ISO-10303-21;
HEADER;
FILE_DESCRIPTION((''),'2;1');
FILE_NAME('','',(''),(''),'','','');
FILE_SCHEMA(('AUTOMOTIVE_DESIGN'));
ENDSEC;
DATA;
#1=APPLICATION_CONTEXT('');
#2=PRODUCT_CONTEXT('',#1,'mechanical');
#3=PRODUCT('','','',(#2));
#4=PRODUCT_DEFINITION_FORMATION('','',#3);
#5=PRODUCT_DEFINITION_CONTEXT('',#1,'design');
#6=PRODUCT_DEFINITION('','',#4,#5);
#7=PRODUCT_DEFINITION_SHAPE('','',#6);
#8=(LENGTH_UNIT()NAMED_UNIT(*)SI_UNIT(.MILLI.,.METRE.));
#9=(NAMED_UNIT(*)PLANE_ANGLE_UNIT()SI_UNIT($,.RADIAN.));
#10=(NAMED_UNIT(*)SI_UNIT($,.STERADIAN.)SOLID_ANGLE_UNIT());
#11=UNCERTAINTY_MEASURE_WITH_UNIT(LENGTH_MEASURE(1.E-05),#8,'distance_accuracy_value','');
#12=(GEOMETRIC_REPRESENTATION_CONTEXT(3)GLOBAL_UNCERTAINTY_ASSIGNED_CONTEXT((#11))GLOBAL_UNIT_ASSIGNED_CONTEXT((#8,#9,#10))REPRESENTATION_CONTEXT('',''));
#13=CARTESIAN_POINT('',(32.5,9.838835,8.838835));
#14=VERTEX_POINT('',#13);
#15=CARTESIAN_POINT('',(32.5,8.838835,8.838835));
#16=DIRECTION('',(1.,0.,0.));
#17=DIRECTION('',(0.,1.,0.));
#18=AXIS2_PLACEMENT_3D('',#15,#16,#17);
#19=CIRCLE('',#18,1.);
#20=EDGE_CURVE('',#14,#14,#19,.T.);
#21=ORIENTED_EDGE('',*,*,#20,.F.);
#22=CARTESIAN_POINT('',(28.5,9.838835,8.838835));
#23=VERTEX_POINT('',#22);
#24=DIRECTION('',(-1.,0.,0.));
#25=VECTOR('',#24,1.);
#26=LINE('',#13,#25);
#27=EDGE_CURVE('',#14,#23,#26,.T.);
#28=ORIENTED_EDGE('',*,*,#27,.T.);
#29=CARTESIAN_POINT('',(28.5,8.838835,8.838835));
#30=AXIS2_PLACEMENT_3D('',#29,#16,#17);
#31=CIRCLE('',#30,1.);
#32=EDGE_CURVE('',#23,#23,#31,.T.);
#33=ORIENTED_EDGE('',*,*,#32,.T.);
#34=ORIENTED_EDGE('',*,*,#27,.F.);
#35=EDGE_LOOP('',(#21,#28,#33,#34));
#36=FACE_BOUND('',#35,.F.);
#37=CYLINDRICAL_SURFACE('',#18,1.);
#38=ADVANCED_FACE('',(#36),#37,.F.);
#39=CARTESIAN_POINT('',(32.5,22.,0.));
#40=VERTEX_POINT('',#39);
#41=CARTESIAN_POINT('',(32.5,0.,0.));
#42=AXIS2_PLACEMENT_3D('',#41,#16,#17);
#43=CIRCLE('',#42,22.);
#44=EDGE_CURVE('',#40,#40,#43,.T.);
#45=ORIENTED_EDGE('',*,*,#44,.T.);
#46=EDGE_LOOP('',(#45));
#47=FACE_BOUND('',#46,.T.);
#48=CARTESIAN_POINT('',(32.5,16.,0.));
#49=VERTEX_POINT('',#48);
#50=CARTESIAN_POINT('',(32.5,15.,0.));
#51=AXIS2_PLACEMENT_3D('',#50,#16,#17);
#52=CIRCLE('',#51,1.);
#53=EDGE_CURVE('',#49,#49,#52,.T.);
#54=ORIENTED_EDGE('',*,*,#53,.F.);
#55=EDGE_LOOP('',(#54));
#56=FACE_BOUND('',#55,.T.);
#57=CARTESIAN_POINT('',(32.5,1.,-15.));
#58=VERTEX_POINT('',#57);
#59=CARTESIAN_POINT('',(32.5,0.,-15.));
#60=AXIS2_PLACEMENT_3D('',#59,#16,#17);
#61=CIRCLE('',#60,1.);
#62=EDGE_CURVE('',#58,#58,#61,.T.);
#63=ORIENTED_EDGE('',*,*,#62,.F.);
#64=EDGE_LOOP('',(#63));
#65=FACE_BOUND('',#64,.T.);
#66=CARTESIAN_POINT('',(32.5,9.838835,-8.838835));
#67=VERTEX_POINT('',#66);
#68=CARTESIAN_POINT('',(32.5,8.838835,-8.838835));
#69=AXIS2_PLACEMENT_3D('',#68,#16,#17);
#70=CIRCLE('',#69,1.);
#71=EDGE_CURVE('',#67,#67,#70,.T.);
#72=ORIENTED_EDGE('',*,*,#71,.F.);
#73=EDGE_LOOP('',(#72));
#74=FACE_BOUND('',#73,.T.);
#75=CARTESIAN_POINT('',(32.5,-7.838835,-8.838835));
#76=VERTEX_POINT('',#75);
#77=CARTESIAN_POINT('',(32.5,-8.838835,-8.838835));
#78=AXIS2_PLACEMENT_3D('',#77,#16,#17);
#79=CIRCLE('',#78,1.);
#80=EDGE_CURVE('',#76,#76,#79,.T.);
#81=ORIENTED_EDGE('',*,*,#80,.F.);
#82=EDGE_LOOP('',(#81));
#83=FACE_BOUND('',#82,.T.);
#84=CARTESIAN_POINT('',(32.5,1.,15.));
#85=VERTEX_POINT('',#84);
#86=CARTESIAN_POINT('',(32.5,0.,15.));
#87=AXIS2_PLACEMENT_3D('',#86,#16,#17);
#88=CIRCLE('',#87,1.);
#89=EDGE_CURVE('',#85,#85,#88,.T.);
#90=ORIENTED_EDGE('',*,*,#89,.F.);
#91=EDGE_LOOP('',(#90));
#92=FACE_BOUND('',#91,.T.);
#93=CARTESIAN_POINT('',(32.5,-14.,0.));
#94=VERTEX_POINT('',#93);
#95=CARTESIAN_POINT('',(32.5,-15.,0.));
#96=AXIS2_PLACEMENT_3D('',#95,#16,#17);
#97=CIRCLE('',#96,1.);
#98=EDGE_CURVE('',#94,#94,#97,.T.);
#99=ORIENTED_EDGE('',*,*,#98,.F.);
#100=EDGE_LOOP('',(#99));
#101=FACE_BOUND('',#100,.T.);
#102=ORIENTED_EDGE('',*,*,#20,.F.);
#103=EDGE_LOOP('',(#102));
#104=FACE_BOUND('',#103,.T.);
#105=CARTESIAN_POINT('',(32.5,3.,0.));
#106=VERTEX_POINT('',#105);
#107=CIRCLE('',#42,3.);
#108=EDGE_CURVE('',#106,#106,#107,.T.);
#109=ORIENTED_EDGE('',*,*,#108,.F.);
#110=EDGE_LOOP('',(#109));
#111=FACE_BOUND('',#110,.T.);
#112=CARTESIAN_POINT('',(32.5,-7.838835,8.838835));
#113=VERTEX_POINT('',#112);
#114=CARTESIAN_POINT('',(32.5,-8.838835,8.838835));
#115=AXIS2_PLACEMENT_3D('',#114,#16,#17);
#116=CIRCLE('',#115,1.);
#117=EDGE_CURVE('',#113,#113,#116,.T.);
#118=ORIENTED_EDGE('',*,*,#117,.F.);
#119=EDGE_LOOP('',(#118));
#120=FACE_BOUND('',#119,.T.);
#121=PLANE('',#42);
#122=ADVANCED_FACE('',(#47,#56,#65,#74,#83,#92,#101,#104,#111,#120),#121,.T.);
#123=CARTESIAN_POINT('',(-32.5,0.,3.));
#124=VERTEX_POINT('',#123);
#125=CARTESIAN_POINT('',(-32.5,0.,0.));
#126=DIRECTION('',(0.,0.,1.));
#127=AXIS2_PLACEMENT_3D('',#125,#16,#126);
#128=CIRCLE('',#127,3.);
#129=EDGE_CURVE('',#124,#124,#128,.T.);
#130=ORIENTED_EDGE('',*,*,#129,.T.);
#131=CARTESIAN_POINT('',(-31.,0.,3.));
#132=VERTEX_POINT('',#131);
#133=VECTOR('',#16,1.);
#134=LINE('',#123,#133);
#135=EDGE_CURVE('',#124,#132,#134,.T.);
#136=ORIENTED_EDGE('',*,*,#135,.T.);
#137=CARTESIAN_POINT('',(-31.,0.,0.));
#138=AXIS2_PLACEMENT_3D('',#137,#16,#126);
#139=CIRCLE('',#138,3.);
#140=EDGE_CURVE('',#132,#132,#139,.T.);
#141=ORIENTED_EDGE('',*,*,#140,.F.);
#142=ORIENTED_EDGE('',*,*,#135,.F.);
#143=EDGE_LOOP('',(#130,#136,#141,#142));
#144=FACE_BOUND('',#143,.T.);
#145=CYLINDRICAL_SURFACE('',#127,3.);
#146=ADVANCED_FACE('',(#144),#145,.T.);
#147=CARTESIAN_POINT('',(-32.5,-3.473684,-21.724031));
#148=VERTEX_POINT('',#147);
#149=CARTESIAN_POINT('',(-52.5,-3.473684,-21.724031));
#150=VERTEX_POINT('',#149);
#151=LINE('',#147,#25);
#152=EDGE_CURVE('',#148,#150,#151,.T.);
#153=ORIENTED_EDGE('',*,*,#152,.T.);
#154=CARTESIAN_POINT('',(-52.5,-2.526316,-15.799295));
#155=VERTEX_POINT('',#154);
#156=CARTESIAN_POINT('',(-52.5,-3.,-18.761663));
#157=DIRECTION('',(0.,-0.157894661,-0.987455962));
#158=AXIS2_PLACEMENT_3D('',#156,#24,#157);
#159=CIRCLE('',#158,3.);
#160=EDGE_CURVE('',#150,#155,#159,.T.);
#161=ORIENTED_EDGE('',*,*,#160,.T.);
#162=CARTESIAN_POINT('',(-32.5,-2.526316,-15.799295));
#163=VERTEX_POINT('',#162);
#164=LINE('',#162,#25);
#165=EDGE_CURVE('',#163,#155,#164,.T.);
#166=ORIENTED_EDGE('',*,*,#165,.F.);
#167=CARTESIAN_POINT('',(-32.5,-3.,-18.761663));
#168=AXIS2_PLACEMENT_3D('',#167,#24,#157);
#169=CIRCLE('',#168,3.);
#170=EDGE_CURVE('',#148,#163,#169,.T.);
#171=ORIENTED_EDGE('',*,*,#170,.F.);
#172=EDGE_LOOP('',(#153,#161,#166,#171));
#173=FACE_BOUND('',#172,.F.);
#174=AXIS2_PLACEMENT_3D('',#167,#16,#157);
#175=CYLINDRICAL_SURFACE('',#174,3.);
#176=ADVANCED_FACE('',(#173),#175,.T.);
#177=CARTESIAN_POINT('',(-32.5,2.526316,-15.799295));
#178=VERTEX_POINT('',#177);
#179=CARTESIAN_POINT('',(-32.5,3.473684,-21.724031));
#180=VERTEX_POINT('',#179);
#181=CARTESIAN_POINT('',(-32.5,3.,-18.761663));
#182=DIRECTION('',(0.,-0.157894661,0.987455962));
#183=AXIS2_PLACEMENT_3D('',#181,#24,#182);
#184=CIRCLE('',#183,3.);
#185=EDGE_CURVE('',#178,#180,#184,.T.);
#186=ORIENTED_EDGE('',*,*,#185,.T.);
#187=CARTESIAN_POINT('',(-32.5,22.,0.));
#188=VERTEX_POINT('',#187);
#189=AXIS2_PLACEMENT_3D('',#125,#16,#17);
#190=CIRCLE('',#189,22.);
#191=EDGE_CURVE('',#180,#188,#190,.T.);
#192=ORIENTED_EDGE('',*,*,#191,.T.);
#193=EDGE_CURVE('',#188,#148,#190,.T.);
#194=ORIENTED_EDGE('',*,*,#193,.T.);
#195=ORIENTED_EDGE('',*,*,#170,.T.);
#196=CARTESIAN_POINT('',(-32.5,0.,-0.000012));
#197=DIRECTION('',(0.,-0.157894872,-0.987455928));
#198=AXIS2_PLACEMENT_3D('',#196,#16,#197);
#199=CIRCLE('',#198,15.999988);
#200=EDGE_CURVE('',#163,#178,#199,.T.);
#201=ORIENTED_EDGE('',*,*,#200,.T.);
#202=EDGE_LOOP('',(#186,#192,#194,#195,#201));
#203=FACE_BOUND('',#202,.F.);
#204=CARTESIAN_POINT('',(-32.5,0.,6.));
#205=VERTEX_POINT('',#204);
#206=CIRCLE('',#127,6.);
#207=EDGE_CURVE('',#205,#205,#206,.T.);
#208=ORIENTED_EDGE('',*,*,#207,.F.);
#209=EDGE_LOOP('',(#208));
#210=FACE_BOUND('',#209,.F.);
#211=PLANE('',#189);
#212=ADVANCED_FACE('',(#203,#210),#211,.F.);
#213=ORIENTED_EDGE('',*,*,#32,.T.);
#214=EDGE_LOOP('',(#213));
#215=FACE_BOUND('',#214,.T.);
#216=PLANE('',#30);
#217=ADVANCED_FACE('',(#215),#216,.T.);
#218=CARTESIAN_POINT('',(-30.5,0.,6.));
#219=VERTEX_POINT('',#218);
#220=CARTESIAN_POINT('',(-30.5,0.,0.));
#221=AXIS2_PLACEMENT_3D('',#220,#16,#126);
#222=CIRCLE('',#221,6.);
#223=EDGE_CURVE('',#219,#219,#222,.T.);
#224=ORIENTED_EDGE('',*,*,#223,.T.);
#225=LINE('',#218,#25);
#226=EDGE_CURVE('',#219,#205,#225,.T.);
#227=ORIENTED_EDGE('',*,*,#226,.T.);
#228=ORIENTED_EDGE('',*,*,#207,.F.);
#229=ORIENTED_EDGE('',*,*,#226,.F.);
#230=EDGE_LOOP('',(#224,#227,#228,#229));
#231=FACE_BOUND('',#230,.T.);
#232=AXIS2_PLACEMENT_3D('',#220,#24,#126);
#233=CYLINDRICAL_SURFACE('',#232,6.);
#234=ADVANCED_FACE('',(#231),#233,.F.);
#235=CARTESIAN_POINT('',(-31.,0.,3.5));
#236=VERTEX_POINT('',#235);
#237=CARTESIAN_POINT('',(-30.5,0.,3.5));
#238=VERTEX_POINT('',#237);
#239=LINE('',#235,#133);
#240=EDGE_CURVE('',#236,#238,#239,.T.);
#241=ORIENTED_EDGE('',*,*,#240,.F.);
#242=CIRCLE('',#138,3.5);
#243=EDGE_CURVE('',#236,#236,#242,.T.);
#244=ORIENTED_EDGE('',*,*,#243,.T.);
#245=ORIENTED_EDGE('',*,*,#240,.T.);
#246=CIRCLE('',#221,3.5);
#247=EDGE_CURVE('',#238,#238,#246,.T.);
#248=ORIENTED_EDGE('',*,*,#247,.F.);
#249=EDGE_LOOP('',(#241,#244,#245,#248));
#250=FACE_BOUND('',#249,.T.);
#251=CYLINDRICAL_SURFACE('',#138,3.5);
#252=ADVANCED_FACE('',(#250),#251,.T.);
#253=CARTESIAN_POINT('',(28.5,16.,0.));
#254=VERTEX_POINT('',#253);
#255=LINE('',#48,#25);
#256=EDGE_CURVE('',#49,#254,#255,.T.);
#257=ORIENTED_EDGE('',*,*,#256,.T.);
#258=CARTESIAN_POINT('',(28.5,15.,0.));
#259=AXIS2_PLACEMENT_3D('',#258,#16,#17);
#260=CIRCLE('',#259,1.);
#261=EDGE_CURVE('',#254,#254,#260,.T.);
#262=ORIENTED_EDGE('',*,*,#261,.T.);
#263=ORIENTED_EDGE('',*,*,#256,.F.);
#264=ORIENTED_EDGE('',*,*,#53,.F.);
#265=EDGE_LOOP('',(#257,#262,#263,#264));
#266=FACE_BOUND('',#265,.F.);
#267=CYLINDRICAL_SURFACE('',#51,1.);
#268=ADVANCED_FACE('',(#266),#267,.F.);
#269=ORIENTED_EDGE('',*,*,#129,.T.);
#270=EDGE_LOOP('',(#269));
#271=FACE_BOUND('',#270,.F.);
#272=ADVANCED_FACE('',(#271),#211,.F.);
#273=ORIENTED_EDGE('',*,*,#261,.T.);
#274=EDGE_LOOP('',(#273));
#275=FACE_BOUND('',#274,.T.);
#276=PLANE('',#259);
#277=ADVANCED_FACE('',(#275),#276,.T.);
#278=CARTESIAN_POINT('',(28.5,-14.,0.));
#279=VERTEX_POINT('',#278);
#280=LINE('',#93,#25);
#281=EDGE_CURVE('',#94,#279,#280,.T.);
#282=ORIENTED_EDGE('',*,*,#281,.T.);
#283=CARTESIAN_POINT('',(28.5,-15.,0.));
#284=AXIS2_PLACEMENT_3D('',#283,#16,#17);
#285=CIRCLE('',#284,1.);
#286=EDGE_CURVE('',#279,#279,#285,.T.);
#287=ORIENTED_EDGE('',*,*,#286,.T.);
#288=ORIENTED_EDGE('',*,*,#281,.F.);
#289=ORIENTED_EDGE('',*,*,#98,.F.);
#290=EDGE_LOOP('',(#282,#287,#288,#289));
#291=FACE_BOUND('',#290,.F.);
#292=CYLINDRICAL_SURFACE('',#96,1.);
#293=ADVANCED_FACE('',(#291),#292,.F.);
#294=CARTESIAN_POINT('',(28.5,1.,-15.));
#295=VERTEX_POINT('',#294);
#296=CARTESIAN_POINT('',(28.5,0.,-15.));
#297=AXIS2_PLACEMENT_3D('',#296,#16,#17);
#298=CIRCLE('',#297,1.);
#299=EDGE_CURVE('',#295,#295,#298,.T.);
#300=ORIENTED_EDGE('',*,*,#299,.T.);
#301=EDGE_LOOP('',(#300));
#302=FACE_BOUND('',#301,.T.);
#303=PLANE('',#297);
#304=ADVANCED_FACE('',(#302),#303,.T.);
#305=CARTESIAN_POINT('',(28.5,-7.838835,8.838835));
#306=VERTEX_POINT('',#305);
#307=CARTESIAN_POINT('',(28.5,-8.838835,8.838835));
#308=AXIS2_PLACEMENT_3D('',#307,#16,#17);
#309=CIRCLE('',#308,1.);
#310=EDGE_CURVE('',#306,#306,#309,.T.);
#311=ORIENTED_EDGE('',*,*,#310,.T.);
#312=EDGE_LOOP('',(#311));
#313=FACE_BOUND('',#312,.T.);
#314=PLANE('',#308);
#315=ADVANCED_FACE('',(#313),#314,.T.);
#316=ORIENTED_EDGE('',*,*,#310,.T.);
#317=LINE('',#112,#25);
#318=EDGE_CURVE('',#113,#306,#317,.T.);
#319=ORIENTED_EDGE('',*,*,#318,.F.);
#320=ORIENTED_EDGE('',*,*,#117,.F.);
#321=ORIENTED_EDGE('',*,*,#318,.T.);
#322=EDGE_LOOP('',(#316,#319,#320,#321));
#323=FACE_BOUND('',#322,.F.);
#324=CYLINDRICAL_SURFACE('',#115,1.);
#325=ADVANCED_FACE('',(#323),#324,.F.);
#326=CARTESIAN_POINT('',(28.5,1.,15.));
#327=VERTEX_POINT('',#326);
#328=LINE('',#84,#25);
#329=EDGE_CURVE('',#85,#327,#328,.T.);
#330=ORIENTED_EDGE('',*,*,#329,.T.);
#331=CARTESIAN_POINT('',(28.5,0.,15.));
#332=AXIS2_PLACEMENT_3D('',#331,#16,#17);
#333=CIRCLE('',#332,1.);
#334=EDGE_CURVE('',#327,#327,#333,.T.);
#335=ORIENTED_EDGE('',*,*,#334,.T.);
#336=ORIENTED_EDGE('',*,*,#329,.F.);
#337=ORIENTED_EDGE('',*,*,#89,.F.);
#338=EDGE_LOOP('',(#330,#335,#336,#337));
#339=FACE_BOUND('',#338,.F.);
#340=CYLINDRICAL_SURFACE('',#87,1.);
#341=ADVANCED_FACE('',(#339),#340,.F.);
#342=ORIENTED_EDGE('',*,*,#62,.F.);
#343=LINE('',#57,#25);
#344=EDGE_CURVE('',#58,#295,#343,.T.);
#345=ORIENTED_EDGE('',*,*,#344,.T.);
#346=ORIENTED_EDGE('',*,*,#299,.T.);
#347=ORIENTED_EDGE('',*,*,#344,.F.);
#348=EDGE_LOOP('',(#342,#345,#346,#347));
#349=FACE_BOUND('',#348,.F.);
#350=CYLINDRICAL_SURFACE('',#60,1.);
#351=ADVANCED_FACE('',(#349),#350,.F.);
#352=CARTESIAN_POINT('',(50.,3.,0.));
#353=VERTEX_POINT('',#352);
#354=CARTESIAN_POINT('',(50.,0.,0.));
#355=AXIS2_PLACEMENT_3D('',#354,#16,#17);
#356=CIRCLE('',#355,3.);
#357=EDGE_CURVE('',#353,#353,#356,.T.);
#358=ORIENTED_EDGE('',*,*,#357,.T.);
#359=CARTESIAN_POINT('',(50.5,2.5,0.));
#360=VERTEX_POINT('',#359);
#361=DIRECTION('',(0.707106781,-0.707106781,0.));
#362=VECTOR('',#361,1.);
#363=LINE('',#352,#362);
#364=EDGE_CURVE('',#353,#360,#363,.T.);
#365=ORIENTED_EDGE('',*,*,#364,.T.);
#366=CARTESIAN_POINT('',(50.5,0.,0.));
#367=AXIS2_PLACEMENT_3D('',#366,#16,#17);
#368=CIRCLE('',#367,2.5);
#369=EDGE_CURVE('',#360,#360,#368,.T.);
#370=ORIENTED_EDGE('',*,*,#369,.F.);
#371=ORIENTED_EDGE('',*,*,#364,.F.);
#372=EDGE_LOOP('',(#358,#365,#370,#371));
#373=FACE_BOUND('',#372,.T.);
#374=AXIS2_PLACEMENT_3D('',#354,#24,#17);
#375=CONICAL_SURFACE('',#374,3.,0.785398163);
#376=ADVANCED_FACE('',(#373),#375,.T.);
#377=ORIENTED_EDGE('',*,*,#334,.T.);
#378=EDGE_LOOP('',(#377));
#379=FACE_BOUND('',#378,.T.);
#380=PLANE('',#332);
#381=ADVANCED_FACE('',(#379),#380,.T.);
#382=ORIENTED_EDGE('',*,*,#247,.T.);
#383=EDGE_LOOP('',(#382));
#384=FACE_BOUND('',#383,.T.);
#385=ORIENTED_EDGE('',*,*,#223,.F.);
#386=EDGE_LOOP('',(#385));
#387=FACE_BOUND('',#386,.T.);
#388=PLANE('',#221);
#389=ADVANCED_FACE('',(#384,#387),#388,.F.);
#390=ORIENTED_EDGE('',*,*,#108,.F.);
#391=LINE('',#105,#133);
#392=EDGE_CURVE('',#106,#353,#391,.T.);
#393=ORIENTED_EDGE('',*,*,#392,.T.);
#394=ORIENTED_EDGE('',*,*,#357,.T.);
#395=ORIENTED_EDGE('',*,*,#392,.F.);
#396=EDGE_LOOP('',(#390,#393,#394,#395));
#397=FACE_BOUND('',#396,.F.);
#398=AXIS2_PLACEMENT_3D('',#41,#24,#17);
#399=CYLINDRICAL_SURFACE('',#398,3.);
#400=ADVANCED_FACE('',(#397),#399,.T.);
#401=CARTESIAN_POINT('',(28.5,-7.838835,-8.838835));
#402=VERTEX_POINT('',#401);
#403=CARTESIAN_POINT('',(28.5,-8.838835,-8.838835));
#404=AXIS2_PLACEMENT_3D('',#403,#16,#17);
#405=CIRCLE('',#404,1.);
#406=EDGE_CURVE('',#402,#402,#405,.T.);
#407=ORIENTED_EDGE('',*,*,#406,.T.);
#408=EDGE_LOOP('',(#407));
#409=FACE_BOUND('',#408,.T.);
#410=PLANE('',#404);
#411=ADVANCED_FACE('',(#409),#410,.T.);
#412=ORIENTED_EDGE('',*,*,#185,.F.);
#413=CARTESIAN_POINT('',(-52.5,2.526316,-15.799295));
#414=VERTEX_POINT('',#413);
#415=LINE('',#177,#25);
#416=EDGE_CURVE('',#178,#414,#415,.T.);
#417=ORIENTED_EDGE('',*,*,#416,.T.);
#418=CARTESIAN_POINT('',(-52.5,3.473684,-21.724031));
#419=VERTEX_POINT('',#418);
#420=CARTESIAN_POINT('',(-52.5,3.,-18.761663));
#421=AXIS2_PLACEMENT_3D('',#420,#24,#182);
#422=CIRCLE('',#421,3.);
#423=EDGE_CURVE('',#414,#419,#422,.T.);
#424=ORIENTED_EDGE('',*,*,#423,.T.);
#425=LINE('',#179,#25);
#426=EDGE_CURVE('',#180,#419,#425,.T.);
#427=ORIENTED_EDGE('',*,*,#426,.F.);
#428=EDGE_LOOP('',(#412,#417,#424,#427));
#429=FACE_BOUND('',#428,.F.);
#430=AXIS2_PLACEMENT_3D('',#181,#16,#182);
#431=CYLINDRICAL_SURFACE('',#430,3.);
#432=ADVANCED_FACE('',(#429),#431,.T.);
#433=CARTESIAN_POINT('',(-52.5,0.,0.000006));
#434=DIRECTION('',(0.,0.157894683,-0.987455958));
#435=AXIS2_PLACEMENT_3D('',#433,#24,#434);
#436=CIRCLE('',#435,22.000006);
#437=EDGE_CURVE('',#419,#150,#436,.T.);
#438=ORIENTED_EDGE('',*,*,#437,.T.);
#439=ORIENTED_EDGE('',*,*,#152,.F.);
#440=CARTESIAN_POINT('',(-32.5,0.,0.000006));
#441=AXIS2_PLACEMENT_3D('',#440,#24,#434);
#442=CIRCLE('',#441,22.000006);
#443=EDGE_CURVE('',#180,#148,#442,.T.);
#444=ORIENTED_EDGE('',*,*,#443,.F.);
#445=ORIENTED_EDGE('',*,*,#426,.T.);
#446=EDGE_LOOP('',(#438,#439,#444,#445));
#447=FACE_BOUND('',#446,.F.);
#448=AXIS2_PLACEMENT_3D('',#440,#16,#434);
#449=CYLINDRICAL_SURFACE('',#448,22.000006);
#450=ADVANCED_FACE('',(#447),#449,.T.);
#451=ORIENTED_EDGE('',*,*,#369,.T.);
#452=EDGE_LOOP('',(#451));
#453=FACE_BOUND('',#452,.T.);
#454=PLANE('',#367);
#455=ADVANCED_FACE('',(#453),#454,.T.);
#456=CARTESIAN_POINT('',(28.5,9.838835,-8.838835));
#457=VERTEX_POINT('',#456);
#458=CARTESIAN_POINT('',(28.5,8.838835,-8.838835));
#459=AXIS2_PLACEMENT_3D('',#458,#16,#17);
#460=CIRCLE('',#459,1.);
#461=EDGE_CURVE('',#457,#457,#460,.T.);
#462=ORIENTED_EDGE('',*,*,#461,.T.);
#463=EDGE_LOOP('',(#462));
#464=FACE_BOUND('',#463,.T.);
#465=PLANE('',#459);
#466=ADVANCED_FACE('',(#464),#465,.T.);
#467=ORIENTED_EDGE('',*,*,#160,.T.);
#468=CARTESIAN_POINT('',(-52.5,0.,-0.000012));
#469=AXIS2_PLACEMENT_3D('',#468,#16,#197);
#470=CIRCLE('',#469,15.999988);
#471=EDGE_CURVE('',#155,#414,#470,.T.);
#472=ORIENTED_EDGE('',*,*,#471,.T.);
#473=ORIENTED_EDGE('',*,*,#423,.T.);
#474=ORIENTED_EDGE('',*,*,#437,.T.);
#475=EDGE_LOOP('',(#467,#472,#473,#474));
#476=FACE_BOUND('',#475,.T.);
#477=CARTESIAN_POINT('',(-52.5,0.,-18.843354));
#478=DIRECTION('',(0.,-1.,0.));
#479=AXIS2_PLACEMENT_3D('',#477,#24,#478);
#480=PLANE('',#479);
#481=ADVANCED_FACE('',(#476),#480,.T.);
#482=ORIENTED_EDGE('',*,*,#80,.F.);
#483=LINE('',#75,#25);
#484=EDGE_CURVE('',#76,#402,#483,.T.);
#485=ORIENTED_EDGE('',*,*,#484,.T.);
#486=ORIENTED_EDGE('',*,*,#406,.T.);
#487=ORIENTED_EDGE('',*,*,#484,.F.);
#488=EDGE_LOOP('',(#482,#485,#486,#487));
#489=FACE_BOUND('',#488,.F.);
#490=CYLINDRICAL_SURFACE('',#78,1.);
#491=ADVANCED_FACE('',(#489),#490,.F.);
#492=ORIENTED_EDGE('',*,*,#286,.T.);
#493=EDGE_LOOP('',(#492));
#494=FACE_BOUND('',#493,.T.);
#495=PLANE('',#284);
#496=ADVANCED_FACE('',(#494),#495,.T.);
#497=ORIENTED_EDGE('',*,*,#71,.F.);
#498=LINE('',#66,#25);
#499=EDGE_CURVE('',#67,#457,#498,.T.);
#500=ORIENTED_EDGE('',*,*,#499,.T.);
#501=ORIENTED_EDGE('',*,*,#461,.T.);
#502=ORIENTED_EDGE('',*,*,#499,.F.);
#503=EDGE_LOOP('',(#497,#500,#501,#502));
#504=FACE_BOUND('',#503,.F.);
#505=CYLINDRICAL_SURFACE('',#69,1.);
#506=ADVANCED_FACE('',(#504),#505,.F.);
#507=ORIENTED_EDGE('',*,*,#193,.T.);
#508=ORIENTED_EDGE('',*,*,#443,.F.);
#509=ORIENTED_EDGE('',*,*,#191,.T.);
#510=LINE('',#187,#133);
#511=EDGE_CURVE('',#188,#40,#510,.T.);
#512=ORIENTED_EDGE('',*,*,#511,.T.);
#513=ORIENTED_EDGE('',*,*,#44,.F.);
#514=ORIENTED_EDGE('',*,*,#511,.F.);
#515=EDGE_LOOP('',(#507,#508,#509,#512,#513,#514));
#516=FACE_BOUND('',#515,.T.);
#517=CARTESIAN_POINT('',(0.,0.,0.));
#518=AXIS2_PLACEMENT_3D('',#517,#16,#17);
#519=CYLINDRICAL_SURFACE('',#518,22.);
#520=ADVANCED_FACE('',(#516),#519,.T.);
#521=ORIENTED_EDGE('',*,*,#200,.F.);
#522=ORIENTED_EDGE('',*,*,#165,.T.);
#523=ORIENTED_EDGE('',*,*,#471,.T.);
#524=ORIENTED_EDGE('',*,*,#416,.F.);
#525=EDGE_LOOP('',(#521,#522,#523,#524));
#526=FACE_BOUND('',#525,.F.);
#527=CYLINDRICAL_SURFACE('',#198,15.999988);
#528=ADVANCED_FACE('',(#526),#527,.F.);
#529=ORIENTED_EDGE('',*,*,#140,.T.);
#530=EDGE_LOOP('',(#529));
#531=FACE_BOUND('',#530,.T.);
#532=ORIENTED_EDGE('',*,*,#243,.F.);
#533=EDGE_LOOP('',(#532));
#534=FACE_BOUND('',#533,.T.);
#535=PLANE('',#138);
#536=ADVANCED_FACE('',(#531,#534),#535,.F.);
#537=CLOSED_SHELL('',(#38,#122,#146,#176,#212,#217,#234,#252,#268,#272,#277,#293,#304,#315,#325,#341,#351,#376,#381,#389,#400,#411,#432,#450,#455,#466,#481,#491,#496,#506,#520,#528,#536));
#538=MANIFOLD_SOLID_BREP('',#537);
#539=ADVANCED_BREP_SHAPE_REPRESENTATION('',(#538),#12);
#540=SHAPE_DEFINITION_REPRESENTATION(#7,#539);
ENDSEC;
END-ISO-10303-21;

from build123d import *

# Parameters (mm, degrees)
F0_R     = 22
F1_DEPTH = 32.5
F2_R     = 3
F3_DEPTH = 18
F4_R     = 1
F5_DEPTH = 4
F9_DEPTH = 20
F10_SIZE = 0.5


with BuildPart() as f1:
    # F0 (on Right) → F1 (new body, symmetric)
    with BuildSketch(Plane.YZ):
        Circle(F0_R)
    extrude(amount=F1_DEPTH, both=True)

    # F2 (on face) → F3 (join)
    with BuildSketch(Plane.YZ.offset(32.5)):
        Circle(F2_R)
    extrude(amount=F3_DEPTH)

    # F4 (on face) → F5 (cut)
    with BuildSketch(Plane.YZ.offset(32.5)):
        with Locations((0, 15)):
            Circle(F4_R)
        with Locations((-15, 0)):
            Circle(F4_R)
        with Locations((0, -15)):
            Circle(F4_R)
        with Locations((15, 0)):
            Circle(F4_R)
        with Locations((-8.838835, 8.838835)):
            Circle(F4_R)
        with Locations((-8.838835, -8.838835)):
            Circle(F4_R)
        with Locations((8.838835, -8.838835)):
            Circle(F4_R)
        with Locations((8.838835, 8.838835)):
            Circle(F4_R)
    extrude(amount=-F5_DEPTH, mode=Mode.SUBTRACT)

    # F6 (on Front) → F7 (revolve, cut)
    with BuildSketch(Plane.XZ):
        Polygon((-32.5, 6), (-32.5, 3), (-31, 3), (-31, 3.5), (-30.5, 3.5), (-30.5, 6), align=None)
    revolve(axis=Axis((7.880477, 0, 0), (1, 0, 0)), mode=Mode.SUBTRACT)

    # F8 (on face) → F9 (join)
    with BuildSketch(Plane(origin=(-32.5, 0, 0), x_dir=(0, -1, 0), z_dir=(-1, 0, 0))):
        with BuildLine():
            ThreePointArc((-3.473684, -21.724031), (0, -22), (3.473684, -21.724031))
            ThreePointArc((3.473684, -21.724031), (5.962368, -18.287979), (2.526316, -15.799295))
            ThreePointArc((2.526316, -15.799295), (0, -16), (-2.526316, -15.799295))
            ThreePointArc((-2.526316, -15.799295), (-5.962368, -18.287979), (-3.473684, -21.724031))
        make_face()
    extrude(amount=F9_DEPTH)

    # F10
    f10_edges = [f1.edges().sort_by_distance(p)[0] for p in [
        (50.5, -3, 0),
    ]]
    chamfer(f10_edges, length=F10_SIZE)


solid = f1.part
